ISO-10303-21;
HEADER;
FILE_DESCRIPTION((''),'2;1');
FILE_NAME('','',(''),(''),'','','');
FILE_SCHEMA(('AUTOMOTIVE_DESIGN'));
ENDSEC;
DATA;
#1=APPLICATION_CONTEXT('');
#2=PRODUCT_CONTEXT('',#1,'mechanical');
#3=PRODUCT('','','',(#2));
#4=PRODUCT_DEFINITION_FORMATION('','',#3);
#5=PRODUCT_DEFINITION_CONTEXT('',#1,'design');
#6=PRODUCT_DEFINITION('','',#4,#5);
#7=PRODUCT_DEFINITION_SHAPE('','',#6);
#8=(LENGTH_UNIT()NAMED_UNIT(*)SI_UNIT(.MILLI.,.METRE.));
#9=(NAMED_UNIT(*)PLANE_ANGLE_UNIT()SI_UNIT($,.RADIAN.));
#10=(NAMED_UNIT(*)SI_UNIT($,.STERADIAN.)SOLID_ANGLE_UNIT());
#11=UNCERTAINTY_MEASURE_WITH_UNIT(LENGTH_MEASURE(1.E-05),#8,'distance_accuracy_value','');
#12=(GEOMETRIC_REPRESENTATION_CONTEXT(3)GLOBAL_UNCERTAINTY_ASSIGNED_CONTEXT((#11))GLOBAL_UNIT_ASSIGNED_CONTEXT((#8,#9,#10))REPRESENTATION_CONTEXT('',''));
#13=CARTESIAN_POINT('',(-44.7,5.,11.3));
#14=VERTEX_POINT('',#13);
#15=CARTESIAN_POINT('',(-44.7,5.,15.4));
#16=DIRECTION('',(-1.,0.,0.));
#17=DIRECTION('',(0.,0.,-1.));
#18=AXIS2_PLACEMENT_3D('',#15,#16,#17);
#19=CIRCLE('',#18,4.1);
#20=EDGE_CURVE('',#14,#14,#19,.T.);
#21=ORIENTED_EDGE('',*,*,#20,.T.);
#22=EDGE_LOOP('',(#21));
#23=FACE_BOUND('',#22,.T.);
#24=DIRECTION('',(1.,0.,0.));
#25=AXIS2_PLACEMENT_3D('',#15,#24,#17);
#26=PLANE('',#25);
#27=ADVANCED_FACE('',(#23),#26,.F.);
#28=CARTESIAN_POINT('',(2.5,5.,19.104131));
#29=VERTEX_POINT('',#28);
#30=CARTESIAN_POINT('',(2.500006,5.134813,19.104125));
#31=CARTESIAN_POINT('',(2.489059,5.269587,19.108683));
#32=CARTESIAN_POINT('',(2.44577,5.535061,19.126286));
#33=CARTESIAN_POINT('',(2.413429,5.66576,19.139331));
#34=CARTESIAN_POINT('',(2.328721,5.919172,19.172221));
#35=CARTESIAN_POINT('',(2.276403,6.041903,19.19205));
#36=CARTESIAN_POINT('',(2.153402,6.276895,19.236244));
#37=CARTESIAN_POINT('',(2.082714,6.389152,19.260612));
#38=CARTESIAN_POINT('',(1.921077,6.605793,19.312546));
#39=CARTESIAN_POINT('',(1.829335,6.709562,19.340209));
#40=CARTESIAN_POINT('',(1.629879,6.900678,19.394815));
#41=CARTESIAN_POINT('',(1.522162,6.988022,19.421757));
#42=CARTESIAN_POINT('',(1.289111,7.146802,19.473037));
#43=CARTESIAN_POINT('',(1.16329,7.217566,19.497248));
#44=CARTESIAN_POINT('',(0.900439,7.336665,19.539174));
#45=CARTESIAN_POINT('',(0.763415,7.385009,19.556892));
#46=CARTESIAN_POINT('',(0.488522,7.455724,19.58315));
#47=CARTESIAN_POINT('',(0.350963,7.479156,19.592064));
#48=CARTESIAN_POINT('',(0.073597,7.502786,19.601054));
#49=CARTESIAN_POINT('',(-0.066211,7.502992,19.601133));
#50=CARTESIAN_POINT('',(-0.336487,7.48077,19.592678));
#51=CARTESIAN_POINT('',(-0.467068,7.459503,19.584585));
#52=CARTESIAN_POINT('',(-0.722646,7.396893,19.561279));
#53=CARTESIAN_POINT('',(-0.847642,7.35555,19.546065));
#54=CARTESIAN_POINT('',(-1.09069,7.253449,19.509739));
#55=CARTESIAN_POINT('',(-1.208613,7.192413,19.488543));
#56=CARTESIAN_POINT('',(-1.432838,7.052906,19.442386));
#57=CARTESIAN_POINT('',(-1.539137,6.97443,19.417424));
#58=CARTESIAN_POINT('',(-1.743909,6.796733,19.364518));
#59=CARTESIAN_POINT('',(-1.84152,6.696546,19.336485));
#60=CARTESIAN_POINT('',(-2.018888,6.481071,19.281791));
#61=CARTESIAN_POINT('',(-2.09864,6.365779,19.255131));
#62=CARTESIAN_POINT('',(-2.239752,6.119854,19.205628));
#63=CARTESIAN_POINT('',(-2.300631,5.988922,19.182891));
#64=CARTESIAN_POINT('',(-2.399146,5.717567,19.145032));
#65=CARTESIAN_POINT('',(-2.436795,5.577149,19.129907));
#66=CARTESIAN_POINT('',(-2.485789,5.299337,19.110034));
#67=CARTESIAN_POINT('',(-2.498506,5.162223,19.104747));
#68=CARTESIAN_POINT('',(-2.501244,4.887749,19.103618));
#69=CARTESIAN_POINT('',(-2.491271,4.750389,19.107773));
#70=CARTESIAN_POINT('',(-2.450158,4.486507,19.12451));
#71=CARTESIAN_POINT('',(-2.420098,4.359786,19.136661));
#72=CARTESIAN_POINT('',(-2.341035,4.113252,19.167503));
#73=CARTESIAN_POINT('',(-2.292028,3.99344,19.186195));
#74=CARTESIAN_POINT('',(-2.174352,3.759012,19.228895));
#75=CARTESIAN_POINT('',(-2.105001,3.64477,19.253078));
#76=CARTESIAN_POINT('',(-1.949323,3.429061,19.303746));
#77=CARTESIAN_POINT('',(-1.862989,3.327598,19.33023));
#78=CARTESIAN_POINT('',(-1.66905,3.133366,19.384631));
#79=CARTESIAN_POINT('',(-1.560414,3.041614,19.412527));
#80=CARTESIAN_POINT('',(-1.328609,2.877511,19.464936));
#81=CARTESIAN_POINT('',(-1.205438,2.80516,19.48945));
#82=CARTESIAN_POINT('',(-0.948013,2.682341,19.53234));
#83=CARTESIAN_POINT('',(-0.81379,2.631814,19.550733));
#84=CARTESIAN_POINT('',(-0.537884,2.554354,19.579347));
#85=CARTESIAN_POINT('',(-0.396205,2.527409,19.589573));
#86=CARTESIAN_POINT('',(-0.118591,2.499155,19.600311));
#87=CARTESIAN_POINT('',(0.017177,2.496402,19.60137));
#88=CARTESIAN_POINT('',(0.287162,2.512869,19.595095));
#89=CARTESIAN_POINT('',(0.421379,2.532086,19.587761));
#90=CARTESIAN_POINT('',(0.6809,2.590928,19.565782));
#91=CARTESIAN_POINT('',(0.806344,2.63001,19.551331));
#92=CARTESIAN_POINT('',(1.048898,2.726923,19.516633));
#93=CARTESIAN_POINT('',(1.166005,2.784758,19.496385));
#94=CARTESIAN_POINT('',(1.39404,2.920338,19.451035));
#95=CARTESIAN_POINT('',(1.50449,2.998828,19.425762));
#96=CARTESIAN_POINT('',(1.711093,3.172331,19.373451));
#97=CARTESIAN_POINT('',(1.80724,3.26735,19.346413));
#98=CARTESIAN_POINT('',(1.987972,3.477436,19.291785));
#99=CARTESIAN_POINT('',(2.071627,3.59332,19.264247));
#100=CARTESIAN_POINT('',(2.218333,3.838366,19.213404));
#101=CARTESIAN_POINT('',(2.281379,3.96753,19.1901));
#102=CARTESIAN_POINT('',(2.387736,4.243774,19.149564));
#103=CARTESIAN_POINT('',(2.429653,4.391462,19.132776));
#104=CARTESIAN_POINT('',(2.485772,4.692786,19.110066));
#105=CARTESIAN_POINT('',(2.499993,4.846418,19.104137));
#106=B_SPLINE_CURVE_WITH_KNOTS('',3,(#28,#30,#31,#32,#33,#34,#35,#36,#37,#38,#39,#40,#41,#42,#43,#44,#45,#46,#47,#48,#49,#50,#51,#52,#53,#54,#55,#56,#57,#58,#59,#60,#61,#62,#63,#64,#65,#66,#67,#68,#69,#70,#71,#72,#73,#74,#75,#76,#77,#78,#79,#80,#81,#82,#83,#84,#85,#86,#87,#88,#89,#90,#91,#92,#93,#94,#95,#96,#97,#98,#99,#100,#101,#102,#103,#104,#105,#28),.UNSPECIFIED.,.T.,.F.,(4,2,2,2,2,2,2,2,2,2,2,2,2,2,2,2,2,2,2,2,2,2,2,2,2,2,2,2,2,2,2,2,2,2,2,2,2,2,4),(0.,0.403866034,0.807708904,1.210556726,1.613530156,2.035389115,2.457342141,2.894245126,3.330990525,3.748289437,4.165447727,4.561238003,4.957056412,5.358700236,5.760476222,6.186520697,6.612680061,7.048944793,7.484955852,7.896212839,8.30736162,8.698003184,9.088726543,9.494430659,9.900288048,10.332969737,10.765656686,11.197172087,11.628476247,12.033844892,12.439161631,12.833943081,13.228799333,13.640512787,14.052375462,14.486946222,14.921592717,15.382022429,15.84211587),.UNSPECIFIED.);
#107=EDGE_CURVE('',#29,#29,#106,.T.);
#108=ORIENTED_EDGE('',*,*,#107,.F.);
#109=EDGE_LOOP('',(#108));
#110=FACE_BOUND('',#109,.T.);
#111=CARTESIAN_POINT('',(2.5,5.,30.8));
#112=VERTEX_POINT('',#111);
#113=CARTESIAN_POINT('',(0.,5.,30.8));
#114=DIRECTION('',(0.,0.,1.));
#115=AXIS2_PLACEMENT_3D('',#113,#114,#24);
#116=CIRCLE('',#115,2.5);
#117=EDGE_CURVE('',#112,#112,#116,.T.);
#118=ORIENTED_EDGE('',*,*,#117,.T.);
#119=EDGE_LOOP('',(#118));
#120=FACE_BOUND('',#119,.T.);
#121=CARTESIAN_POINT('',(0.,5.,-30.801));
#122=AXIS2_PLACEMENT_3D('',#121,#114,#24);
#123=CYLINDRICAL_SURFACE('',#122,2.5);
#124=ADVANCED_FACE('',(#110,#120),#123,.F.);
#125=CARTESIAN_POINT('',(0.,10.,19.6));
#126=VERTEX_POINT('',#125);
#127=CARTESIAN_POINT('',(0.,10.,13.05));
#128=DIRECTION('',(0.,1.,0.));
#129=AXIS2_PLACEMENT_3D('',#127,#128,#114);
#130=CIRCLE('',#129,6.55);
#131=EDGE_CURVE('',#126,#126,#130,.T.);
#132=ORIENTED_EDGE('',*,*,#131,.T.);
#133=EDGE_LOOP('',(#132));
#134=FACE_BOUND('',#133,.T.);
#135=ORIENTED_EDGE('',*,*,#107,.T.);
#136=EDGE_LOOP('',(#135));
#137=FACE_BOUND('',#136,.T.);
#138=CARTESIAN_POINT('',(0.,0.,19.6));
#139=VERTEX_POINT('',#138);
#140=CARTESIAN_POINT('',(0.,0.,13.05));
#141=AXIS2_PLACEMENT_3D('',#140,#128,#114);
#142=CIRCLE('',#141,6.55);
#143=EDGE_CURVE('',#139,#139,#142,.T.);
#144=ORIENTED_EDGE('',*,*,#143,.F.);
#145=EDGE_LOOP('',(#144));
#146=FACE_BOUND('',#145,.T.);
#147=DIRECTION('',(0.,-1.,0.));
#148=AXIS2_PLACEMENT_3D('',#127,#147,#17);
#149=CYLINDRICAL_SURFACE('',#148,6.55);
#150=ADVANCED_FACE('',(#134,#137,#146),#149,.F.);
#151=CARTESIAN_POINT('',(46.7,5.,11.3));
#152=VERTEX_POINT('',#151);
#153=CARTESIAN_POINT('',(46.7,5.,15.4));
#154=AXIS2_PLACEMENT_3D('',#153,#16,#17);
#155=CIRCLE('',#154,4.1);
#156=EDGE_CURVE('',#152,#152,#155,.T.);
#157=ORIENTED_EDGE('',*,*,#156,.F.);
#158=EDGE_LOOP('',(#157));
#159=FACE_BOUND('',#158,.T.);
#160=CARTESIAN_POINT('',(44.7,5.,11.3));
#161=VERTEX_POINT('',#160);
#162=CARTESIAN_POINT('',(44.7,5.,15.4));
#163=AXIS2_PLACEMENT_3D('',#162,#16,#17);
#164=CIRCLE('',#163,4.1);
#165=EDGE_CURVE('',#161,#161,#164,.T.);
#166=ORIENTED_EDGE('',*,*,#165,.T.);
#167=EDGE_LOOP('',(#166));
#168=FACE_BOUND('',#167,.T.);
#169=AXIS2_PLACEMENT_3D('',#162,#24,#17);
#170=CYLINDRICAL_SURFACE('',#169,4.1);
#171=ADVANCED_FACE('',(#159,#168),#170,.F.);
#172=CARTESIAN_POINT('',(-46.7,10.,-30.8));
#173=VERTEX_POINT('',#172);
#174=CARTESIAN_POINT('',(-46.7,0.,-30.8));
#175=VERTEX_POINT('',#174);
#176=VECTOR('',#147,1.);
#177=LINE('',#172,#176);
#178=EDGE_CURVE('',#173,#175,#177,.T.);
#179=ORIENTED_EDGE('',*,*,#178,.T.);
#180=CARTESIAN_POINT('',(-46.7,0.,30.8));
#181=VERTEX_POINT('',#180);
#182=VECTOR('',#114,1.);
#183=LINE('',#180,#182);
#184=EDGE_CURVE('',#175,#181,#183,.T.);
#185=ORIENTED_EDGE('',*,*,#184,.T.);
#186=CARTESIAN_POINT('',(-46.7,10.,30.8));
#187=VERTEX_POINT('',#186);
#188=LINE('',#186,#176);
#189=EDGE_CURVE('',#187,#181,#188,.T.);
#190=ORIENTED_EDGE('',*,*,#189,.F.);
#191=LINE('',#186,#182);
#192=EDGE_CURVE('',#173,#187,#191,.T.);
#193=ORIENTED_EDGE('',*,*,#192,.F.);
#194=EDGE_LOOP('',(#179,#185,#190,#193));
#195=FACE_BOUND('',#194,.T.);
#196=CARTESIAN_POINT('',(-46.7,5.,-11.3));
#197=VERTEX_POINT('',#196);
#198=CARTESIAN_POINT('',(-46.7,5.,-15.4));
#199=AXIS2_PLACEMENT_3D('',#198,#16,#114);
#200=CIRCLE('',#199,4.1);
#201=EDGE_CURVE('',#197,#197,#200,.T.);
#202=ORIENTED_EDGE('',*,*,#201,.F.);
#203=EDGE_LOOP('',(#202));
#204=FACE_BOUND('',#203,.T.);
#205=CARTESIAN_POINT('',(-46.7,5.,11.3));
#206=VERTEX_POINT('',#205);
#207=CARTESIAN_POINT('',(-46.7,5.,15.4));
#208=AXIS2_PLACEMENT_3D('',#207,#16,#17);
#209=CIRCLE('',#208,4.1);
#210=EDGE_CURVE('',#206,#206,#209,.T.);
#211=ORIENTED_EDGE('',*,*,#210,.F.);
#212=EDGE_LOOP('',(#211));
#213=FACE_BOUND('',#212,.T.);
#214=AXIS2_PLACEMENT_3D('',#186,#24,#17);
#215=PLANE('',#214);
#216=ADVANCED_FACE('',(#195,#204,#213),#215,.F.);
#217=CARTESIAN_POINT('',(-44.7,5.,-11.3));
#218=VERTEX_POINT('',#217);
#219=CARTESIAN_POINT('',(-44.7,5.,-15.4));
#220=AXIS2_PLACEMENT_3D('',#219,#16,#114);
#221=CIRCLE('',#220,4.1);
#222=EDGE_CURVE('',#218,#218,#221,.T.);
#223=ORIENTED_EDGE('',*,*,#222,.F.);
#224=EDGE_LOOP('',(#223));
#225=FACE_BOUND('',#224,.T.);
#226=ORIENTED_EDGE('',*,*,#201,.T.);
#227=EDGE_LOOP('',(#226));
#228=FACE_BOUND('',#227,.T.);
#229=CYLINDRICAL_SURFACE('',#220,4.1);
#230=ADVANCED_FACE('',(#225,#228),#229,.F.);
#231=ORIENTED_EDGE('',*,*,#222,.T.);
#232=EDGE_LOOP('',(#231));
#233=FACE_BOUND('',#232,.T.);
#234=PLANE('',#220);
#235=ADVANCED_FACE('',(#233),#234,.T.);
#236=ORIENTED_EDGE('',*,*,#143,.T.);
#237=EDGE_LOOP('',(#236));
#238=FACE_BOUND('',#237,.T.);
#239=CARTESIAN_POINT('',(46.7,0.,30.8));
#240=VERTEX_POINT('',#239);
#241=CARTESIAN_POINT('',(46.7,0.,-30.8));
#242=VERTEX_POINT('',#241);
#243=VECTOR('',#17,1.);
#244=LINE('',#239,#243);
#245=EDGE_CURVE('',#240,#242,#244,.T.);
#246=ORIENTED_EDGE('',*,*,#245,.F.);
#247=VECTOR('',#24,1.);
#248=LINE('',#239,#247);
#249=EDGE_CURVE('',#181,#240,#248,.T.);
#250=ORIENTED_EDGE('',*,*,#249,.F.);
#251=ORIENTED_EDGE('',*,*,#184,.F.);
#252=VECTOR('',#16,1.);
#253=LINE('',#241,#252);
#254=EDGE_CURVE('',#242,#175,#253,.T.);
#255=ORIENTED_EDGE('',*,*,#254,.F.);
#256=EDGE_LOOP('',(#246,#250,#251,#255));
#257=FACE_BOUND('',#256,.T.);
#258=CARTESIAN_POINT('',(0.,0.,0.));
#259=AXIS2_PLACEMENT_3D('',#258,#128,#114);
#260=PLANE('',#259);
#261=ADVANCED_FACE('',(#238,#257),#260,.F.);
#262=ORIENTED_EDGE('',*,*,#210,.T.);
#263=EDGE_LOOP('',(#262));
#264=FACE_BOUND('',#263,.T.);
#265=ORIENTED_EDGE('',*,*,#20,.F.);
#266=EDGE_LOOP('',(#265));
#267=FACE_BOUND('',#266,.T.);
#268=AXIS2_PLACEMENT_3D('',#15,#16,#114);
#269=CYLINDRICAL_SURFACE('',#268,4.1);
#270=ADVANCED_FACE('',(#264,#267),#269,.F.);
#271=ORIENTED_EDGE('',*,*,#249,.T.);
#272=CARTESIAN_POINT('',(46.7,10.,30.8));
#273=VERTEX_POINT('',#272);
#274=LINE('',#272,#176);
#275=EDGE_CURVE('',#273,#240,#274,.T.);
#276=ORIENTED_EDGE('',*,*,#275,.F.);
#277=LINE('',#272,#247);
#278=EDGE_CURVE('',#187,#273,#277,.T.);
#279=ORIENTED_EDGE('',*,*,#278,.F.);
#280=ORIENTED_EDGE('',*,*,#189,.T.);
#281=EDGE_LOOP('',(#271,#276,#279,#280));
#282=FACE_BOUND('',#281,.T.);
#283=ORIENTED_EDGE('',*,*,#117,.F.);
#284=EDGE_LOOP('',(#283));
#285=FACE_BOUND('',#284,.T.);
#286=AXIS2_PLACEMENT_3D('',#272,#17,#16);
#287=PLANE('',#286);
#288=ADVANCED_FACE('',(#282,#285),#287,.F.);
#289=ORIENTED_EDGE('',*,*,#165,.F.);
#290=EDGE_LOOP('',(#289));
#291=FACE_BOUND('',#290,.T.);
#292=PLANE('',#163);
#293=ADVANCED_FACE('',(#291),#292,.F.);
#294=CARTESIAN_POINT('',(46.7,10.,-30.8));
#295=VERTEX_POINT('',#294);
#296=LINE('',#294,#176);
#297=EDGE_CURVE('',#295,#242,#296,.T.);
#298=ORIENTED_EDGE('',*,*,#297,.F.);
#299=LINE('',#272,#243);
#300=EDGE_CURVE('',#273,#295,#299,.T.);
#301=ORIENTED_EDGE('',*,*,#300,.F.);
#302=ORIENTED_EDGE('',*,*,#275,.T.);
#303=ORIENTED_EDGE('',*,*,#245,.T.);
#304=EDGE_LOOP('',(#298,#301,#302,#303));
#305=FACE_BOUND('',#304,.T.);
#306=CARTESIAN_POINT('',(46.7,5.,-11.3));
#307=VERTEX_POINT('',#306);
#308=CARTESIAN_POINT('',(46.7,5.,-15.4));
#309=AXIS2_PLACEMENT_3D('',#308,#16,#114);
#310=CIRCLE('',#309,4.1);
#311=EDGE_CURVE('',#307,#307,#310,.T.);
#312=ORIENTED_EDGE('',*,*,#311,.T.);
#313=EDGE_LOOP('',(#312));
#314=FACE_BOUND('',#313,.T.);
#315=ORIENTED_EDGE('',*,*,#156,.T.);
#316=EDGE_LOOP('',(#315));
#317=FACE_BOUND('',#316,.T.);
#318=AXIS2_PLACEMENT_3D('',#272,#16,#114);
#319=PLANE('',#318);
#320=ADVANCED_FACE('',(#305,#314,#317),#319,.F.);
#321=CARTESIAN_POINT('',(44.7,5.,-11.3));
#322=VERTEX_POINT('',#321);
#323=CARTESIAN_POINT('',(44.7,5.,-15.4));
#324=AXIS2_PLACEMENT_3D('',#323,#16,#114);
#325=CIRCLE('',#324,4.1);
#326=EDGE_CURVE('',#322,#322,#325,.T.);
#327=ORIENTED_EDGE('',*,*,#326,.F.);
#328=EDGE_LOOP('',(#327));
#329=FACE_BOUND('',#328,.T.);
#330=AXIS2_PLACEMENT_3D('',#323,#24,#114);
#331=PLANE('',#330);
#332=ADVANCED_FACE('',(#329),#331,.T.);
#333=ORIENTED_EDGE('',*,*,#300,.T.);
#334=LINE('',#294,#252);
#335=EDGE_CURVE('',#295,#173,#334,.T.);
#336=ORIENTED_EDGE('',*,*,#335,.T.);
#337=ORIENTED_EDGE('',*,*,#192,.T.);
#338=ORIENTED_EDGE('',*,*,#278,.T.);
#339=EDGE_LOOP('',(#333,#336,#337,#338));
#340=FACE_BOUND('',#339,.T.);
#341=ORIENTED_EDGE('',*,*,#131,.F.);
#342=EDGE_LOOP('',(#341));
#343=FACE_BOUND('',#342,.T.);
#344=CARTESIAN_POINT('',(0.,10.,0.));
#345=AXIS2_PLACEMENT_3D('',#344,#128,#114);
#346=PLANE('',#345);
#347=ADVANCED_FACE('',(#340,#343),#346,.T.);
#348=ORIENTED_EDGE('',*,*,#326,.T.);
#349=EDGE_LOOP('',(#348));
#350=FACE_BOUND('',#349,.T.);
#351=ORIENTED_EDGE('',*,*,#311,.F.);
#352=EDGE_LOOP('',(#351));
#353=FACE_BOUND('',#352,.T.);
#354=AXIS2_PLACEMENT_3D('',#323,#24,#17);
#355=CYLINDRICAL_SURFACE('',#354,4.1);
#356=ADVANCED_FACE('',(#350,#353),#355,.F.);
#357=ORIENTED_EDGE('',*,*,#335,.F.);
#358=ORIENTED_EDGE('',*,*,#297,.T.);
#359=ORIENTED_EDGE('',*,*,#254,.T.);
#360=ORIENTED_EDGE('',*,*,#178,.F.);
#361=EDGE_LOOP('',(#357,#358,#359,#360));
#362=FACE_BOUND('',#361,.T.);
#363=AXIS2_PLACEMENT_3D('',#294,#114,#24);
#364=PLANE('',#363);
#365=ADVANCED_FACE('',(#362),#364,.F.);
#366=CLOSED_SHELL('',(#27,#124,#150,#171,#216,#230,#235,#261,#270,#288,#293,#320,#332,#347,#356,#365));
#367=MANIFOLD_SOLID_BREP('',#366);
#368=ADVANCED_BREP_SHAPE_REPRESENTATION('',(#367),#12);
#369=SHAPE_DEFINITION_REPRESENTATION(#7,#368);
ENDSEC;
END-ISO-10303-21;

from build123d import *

# Parameters (mm, degrees)
CROQUIS1_W                 = 93.4
CROQUIS1_H                 = 61.6
CROQUIS1_R                 = 6.55
SALIENTE_EXTRUIR1_DEPTH    = 10
CROQUIS2_R                 = 4.1
CORTAR_EXTRUIR1_DEPTH      = 2
CORTAR_EXTRUIR2_REACH      = 79.945
CORTAR_EXTRUIR2_END_RADIUS = 6.55
CROQUIS3_R                 = 2.5


with BuildPart() as part:
    # Croquis1 → Saliente-Extruir1 (new body)
    with BuildSketch(Plane(origin=(0, 0, 0), x_dir=(1, 0, 0), z_dir=(0, 1, 0))):
        Rectangle(CROQUIS1_W, CROQUIS1_H)
        with Locations(Location((0, -13.05, 0), (0, 0, 270))):
            Circle(CROQUIS1_R, mode=Mode.SUBTRACT)
    extrude(amount=SALIENTE_EXTRUIR1_DEPTH)

    # Croquis2 → Cortar-Extruir1 (cut)
    with BuildSketch(Plane.ZY.offset(46.7)):
        with Locations((-15.4, 5)):
            Circle(CROQUIS2_R)
        with Locations(Location((15.4, 5, 0), (0, 0, 180))):
            Circle(CROQUIS2_R)
    cortar_extruir1 = extrude(amount=-CORTAR_EXTRUIR1_DEPTH, mode=Mode.SUBTRACT)

    # Simetría2: Cortar-Extruir1 across plane
    add(cortar_extruir1.mirror(Plane(origin=(0, 0, 0), x_dir=(0, 0, 1), z_dir=(1, 0, 0))), mode=Mode.SUBTRACT)

    # Cortar-Extruir2: up to this cylinder (the profile starts outside it)
    cortar_extruir2_end = Plane(origin=(0, 5, 13.05), z_dir=(0, -1, 0)) * Cylinder(CORTAR_EXTRUIR2_END_RADIUS, 173.99, mode=Mode.PRIVATE)
    # Croquis3 → Cortar-Extruir2 (cut, up to the surface)
    with BuildSketch(Plane.XY.offset(30.8), mode=Mode.PRIVATE) as cortar_extruir2_sk1:
        with Locations((0, 5)):
            Circle(CROQUIS3_R)
    cortar_extruir2_tool1 = extrude(cortar_extruir2_sk1.sketch, amount=-CORTAR_EXTRUIR2_REACH, mode=Mode.PRIVATE) - cortar_extruir2_end
    add(cortar_extruir2_tool1.solids().sort_by_distance((0, 5, 30.8))[0], mode=Mode.SUBTRACT)


solid = part.part
